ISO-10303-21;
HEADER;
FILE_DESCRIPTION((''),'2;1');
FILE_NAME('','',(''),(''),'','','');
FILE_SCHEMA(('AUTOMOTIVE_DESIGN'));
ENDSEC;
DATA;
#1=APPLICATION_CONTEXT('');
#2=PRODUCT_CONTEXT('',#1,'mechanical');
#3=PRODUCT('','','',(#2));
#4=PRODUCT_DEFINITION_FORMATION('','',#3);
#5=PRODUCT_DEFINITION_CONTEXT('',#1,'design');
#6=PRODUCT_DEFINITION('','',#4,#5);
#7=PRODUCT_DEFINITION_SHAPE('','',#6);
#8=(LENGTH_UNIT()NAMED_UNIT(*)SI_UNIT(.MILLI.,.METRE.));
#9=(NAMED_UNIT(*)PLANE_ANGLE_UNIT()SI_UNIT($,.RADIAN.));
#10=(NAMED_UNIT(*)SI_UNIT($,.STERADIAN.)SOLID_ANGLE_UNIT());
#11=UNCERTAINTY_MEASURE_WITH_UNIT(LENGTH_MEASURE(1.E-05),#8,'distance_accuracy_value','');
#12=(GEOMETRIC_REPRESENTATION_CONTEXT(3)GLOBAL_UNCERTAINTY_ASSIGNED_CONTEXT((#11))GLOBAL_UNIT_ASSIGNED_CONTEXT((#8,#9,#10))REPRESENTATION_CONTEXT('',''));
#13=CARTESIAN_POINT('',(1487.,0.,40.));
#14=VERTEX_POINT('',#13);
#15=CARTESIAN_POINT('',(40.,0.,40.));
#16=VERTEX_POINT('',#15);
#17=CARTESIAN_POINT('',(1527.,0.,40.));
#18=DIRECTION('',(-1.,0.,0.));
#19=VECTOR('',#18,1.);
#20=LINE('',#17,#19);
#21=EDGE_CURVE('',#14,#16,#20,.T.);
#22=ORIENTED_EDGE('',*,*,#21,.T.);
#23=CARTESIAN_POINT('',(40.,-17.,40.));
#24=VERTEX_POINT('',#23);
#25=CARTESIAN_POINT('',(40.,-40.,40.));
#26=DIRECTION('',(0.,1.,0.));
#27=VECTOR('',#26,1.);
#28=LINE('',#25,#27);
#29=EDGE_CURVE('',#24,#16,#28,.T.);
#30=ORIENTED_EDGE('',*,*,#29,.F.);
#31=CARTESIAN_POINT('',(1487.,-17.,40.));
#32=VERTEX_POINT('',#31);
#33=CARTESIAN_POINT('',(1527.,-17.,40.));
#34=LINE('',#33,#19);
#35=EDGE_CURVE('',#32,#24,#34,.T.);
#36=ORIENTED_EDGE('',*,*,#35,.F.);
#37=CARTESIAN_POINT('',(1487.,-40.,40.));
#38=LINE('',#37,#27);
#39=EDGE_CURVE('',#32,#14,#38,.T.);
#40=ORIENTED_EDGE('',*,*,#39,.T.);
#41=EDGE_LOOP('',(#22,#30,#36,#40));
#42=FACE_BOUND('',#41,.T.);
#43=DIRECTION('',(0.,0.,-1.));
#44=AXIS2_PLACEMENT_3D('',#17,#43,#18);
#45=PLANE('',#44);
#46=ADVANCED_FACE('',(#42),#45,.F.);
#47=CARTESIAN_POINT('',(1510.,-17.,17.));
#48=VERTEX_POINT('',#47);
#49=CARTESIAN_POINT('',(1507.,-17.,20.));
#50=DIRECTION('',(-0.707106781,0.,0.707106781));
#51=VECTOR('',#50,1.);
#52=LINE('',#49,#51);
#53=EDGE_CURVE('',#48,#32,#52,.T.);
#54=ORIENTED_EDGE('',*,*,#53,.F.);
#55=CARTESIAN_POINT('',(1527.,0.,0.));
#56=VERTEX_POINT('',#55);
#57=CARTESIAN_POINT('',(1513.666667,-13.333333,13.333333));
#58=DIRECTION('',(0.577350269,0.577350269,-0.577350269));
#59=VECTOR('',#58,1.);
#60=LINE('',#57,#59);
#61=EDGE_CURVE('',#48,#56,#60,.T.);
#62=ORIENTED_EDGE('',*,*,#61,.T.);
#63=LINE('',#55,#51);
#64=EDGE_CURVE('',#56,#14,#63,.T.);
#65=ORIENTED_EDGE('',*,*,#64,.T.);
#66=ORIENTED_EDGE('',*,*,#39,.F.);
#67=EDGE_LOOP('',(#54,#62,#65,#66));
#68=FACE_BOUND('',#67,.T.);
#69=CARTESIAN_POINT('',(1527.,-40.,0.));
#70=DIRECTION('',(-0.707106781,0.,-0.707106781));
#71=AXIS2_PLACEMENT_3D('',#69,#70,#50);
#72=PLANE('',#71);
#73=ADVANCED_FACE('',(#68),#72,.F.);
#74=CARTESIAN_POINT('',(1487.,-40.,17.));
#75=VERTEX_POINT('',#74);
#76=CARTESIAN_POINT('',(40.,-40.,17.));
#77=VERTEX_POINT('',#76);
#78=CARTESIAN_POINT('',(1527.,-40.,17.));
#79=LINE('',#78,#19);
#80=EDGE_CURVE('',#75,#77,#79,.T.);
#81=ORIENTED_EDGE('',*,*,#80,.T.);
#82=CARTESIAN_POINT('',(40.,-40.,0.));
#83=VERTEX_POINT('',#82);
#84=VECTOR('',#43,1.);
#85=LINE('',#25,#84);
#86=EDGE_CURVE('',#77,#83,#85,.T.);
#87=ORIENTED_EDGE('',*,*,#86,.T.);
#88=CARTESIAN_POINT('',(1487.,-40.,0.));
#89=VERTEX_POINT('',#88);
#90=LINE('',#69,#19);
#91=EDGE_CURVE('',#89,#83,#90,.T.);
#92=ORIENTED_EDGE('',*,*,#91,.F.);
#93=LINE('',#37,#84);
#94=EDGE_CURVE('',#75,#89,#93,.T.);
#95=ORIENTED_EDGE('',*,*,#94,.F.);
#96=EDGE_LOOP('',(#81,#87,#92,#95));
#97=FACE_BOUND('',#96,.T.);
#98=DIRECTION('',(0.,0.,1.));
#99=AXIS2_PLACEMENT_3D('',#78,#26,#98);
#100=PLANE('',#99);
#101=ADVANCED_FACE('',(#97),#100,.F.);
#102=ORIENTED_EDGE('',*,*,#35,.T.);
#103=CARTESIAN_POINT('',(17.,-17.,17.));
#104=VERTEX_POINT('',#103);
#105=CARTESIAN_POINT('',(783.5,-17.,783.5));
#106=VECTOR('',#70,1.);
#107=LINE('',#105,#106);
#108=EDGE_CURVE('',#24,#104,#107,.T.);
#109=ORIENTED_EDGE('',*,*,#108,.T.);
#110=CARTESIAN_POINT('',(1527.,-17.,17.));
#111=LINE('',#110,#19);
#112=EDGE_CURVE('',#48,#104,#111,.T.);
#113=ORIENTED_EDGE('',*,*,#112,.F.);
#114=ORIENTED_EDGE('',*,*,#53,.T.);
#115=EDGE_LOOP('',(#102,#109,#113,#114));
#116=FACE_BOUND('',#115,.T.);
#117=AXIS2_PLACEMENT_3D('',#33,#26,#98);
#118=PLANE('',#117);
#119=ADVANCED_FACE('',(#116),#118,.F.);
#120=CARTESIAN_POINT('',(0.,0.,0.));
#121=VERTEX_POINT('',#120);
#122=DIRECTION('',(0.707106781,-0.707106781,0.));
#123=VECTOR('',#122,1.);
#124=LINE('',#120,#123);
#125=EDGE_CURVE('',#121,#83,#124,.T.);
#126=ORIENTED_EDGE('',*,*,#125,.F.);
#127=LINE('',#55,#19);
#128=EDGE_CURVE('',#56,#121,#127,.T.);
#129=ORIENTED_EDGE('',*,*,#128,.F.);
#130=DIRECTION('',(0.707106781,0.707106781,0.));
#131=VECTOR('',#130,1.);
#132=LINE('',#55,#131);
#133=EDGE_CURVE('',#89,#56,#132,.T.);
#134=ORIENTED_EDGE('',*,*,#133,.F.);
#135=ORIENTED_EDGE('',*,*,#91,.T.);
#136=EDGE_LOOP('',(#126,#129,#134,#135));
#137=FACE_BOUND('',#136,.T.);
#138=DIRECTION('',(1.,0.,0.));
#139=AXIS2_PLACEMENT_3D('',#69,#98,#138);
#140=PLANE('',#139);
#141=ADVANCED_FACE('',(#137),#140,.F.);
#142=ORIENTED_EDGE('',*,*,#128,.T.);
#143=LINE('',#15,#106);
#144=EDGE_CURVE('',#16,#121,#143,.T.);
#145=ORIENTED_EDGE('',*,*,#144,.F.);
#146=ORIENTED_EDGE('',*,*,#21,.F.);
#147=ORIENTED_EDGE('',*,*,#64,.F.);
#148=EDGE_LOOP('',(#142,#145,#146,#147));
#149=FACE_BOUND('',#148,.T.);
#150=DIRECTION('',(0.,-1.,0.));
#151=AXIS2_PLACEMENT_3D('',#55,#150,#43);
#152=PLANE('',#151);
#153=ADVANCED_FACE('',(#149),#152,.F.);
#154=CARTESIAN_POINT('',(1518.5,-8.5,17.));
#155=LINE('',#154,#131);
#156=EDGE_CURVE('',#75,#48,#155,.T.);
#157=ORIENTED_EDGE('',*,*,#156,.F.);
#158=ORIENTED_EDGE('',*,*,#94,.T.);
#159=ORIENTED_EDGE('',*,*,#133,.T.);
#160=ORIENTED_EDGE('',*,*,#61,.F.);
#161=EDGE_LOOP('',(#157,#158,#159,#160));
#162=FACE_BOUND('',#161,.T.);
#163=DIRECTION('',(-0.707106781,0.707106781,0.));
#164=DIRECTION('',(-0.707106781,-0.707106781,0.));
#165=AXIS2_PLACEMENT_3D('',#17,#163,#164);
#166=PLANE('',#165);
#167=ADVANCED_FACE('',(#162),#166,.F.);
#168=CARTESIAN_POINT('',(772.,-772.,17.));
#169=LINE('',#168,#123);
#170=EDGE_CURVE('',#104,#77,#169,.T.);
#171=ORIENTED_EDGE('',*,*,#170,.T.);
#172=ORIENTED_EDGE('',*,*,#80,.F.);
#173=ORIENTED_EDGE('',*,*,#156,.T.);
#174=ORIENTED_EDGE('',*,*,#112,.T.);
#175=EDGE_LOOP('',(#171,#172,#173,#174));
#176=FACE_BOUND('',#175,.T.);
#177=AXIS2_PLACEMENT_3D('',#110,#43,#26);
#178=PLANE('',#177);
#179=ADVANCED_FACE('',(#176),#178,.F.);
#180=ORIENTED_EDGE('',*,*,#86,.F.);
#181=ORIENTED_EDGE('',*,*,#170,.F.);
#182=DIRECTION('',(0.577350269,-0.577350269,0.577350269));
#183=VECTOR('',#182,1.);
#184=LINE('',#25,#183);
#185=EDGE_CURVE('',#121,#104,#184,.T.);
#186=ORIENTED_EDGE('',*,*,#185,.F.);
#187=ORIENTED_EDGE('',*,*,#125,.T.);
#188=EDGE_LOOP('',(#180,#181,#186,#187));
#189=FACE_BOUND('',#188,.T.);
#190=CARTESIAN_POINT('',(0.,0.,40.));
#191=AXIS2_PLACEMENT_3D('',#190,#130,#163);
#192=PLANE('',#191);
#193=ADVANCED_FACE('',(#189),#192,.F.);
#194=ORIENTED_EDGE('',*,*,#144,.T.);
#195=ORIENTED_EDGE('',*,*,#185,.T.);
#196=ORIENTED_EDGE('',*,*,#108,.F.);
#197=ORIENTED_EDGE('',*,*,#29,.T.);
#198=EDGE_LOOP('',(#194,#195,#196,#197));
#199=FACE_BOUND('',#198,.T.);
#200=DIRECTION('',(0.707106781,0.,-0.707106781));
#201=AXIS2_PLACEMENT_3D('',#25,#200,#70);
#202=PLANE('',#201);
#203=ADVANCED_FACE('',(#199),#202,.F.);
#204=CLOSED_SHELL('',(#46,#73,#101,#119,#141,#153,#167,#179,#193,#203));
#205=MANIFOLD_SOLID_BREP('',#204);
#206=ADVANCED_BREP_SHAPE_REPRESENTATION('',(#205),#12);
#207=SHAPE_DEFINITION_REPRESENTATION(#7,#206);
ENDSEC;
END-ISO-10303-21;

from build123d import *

# Parameters (mm, degrees)
BOSS_EXTRU_1_DEPTH      = 1527
ENL_V_MAT_EXTRU_1_DEPTH = 41
ENL_V_MAT_EXTRU_2_DEPTH = 41


with BuildPart() as part:
    # Esquisse1 → Boss.-Extru.1 (new body)
    with BuildSketch(Plane(origin=(0, 0, 0), x_dir=(0, 0, -1), z_dir=(1, 0, 0))):
        Polygon((0, 0), (-40, 0), (-40, -17), (-17, -17), (-17, -40), (0, -40), align=None)
    extrude(amount=BOSS_EXTRU_1_DEPTH)

    # Esquisse2 → Enlèv. mat.-Extru.1 (cut, through all)
    with BuildSketch(Plane(origin=(0, 0, 0), x_dir=(1, 0, 0), z_dir=(0, 1, 0))):
        Polygon((1527, 0), (1487, -40), (1527, -40), align=None)
        Polygon((0, 0), (0, -40), (40, -40), align=None)
    extrude(amount=-ENL_V_MAT_EXTRU_1_DEPTH, mode=Mode.SUBTRACT)

    # Esquisse3 → Enlèv. mat.-Extru.2 (cut, through all)
    with BuildSketch(Plane(origin=(0, 0, 0), x_dir=(-1, 0, 0), z_dir=(0, 0, -1))):
        Polygon((-1527, 0), (-1487, -40), (-1527, -40), align=None)
        Polygon((-40, -40), (0, -40), (0, 0), align=None)
    extrude(amount=-ENL_V_MAT_EXTRU_2_DEPTH, mode=Mode.SUBTRACT)


solid = part.part
